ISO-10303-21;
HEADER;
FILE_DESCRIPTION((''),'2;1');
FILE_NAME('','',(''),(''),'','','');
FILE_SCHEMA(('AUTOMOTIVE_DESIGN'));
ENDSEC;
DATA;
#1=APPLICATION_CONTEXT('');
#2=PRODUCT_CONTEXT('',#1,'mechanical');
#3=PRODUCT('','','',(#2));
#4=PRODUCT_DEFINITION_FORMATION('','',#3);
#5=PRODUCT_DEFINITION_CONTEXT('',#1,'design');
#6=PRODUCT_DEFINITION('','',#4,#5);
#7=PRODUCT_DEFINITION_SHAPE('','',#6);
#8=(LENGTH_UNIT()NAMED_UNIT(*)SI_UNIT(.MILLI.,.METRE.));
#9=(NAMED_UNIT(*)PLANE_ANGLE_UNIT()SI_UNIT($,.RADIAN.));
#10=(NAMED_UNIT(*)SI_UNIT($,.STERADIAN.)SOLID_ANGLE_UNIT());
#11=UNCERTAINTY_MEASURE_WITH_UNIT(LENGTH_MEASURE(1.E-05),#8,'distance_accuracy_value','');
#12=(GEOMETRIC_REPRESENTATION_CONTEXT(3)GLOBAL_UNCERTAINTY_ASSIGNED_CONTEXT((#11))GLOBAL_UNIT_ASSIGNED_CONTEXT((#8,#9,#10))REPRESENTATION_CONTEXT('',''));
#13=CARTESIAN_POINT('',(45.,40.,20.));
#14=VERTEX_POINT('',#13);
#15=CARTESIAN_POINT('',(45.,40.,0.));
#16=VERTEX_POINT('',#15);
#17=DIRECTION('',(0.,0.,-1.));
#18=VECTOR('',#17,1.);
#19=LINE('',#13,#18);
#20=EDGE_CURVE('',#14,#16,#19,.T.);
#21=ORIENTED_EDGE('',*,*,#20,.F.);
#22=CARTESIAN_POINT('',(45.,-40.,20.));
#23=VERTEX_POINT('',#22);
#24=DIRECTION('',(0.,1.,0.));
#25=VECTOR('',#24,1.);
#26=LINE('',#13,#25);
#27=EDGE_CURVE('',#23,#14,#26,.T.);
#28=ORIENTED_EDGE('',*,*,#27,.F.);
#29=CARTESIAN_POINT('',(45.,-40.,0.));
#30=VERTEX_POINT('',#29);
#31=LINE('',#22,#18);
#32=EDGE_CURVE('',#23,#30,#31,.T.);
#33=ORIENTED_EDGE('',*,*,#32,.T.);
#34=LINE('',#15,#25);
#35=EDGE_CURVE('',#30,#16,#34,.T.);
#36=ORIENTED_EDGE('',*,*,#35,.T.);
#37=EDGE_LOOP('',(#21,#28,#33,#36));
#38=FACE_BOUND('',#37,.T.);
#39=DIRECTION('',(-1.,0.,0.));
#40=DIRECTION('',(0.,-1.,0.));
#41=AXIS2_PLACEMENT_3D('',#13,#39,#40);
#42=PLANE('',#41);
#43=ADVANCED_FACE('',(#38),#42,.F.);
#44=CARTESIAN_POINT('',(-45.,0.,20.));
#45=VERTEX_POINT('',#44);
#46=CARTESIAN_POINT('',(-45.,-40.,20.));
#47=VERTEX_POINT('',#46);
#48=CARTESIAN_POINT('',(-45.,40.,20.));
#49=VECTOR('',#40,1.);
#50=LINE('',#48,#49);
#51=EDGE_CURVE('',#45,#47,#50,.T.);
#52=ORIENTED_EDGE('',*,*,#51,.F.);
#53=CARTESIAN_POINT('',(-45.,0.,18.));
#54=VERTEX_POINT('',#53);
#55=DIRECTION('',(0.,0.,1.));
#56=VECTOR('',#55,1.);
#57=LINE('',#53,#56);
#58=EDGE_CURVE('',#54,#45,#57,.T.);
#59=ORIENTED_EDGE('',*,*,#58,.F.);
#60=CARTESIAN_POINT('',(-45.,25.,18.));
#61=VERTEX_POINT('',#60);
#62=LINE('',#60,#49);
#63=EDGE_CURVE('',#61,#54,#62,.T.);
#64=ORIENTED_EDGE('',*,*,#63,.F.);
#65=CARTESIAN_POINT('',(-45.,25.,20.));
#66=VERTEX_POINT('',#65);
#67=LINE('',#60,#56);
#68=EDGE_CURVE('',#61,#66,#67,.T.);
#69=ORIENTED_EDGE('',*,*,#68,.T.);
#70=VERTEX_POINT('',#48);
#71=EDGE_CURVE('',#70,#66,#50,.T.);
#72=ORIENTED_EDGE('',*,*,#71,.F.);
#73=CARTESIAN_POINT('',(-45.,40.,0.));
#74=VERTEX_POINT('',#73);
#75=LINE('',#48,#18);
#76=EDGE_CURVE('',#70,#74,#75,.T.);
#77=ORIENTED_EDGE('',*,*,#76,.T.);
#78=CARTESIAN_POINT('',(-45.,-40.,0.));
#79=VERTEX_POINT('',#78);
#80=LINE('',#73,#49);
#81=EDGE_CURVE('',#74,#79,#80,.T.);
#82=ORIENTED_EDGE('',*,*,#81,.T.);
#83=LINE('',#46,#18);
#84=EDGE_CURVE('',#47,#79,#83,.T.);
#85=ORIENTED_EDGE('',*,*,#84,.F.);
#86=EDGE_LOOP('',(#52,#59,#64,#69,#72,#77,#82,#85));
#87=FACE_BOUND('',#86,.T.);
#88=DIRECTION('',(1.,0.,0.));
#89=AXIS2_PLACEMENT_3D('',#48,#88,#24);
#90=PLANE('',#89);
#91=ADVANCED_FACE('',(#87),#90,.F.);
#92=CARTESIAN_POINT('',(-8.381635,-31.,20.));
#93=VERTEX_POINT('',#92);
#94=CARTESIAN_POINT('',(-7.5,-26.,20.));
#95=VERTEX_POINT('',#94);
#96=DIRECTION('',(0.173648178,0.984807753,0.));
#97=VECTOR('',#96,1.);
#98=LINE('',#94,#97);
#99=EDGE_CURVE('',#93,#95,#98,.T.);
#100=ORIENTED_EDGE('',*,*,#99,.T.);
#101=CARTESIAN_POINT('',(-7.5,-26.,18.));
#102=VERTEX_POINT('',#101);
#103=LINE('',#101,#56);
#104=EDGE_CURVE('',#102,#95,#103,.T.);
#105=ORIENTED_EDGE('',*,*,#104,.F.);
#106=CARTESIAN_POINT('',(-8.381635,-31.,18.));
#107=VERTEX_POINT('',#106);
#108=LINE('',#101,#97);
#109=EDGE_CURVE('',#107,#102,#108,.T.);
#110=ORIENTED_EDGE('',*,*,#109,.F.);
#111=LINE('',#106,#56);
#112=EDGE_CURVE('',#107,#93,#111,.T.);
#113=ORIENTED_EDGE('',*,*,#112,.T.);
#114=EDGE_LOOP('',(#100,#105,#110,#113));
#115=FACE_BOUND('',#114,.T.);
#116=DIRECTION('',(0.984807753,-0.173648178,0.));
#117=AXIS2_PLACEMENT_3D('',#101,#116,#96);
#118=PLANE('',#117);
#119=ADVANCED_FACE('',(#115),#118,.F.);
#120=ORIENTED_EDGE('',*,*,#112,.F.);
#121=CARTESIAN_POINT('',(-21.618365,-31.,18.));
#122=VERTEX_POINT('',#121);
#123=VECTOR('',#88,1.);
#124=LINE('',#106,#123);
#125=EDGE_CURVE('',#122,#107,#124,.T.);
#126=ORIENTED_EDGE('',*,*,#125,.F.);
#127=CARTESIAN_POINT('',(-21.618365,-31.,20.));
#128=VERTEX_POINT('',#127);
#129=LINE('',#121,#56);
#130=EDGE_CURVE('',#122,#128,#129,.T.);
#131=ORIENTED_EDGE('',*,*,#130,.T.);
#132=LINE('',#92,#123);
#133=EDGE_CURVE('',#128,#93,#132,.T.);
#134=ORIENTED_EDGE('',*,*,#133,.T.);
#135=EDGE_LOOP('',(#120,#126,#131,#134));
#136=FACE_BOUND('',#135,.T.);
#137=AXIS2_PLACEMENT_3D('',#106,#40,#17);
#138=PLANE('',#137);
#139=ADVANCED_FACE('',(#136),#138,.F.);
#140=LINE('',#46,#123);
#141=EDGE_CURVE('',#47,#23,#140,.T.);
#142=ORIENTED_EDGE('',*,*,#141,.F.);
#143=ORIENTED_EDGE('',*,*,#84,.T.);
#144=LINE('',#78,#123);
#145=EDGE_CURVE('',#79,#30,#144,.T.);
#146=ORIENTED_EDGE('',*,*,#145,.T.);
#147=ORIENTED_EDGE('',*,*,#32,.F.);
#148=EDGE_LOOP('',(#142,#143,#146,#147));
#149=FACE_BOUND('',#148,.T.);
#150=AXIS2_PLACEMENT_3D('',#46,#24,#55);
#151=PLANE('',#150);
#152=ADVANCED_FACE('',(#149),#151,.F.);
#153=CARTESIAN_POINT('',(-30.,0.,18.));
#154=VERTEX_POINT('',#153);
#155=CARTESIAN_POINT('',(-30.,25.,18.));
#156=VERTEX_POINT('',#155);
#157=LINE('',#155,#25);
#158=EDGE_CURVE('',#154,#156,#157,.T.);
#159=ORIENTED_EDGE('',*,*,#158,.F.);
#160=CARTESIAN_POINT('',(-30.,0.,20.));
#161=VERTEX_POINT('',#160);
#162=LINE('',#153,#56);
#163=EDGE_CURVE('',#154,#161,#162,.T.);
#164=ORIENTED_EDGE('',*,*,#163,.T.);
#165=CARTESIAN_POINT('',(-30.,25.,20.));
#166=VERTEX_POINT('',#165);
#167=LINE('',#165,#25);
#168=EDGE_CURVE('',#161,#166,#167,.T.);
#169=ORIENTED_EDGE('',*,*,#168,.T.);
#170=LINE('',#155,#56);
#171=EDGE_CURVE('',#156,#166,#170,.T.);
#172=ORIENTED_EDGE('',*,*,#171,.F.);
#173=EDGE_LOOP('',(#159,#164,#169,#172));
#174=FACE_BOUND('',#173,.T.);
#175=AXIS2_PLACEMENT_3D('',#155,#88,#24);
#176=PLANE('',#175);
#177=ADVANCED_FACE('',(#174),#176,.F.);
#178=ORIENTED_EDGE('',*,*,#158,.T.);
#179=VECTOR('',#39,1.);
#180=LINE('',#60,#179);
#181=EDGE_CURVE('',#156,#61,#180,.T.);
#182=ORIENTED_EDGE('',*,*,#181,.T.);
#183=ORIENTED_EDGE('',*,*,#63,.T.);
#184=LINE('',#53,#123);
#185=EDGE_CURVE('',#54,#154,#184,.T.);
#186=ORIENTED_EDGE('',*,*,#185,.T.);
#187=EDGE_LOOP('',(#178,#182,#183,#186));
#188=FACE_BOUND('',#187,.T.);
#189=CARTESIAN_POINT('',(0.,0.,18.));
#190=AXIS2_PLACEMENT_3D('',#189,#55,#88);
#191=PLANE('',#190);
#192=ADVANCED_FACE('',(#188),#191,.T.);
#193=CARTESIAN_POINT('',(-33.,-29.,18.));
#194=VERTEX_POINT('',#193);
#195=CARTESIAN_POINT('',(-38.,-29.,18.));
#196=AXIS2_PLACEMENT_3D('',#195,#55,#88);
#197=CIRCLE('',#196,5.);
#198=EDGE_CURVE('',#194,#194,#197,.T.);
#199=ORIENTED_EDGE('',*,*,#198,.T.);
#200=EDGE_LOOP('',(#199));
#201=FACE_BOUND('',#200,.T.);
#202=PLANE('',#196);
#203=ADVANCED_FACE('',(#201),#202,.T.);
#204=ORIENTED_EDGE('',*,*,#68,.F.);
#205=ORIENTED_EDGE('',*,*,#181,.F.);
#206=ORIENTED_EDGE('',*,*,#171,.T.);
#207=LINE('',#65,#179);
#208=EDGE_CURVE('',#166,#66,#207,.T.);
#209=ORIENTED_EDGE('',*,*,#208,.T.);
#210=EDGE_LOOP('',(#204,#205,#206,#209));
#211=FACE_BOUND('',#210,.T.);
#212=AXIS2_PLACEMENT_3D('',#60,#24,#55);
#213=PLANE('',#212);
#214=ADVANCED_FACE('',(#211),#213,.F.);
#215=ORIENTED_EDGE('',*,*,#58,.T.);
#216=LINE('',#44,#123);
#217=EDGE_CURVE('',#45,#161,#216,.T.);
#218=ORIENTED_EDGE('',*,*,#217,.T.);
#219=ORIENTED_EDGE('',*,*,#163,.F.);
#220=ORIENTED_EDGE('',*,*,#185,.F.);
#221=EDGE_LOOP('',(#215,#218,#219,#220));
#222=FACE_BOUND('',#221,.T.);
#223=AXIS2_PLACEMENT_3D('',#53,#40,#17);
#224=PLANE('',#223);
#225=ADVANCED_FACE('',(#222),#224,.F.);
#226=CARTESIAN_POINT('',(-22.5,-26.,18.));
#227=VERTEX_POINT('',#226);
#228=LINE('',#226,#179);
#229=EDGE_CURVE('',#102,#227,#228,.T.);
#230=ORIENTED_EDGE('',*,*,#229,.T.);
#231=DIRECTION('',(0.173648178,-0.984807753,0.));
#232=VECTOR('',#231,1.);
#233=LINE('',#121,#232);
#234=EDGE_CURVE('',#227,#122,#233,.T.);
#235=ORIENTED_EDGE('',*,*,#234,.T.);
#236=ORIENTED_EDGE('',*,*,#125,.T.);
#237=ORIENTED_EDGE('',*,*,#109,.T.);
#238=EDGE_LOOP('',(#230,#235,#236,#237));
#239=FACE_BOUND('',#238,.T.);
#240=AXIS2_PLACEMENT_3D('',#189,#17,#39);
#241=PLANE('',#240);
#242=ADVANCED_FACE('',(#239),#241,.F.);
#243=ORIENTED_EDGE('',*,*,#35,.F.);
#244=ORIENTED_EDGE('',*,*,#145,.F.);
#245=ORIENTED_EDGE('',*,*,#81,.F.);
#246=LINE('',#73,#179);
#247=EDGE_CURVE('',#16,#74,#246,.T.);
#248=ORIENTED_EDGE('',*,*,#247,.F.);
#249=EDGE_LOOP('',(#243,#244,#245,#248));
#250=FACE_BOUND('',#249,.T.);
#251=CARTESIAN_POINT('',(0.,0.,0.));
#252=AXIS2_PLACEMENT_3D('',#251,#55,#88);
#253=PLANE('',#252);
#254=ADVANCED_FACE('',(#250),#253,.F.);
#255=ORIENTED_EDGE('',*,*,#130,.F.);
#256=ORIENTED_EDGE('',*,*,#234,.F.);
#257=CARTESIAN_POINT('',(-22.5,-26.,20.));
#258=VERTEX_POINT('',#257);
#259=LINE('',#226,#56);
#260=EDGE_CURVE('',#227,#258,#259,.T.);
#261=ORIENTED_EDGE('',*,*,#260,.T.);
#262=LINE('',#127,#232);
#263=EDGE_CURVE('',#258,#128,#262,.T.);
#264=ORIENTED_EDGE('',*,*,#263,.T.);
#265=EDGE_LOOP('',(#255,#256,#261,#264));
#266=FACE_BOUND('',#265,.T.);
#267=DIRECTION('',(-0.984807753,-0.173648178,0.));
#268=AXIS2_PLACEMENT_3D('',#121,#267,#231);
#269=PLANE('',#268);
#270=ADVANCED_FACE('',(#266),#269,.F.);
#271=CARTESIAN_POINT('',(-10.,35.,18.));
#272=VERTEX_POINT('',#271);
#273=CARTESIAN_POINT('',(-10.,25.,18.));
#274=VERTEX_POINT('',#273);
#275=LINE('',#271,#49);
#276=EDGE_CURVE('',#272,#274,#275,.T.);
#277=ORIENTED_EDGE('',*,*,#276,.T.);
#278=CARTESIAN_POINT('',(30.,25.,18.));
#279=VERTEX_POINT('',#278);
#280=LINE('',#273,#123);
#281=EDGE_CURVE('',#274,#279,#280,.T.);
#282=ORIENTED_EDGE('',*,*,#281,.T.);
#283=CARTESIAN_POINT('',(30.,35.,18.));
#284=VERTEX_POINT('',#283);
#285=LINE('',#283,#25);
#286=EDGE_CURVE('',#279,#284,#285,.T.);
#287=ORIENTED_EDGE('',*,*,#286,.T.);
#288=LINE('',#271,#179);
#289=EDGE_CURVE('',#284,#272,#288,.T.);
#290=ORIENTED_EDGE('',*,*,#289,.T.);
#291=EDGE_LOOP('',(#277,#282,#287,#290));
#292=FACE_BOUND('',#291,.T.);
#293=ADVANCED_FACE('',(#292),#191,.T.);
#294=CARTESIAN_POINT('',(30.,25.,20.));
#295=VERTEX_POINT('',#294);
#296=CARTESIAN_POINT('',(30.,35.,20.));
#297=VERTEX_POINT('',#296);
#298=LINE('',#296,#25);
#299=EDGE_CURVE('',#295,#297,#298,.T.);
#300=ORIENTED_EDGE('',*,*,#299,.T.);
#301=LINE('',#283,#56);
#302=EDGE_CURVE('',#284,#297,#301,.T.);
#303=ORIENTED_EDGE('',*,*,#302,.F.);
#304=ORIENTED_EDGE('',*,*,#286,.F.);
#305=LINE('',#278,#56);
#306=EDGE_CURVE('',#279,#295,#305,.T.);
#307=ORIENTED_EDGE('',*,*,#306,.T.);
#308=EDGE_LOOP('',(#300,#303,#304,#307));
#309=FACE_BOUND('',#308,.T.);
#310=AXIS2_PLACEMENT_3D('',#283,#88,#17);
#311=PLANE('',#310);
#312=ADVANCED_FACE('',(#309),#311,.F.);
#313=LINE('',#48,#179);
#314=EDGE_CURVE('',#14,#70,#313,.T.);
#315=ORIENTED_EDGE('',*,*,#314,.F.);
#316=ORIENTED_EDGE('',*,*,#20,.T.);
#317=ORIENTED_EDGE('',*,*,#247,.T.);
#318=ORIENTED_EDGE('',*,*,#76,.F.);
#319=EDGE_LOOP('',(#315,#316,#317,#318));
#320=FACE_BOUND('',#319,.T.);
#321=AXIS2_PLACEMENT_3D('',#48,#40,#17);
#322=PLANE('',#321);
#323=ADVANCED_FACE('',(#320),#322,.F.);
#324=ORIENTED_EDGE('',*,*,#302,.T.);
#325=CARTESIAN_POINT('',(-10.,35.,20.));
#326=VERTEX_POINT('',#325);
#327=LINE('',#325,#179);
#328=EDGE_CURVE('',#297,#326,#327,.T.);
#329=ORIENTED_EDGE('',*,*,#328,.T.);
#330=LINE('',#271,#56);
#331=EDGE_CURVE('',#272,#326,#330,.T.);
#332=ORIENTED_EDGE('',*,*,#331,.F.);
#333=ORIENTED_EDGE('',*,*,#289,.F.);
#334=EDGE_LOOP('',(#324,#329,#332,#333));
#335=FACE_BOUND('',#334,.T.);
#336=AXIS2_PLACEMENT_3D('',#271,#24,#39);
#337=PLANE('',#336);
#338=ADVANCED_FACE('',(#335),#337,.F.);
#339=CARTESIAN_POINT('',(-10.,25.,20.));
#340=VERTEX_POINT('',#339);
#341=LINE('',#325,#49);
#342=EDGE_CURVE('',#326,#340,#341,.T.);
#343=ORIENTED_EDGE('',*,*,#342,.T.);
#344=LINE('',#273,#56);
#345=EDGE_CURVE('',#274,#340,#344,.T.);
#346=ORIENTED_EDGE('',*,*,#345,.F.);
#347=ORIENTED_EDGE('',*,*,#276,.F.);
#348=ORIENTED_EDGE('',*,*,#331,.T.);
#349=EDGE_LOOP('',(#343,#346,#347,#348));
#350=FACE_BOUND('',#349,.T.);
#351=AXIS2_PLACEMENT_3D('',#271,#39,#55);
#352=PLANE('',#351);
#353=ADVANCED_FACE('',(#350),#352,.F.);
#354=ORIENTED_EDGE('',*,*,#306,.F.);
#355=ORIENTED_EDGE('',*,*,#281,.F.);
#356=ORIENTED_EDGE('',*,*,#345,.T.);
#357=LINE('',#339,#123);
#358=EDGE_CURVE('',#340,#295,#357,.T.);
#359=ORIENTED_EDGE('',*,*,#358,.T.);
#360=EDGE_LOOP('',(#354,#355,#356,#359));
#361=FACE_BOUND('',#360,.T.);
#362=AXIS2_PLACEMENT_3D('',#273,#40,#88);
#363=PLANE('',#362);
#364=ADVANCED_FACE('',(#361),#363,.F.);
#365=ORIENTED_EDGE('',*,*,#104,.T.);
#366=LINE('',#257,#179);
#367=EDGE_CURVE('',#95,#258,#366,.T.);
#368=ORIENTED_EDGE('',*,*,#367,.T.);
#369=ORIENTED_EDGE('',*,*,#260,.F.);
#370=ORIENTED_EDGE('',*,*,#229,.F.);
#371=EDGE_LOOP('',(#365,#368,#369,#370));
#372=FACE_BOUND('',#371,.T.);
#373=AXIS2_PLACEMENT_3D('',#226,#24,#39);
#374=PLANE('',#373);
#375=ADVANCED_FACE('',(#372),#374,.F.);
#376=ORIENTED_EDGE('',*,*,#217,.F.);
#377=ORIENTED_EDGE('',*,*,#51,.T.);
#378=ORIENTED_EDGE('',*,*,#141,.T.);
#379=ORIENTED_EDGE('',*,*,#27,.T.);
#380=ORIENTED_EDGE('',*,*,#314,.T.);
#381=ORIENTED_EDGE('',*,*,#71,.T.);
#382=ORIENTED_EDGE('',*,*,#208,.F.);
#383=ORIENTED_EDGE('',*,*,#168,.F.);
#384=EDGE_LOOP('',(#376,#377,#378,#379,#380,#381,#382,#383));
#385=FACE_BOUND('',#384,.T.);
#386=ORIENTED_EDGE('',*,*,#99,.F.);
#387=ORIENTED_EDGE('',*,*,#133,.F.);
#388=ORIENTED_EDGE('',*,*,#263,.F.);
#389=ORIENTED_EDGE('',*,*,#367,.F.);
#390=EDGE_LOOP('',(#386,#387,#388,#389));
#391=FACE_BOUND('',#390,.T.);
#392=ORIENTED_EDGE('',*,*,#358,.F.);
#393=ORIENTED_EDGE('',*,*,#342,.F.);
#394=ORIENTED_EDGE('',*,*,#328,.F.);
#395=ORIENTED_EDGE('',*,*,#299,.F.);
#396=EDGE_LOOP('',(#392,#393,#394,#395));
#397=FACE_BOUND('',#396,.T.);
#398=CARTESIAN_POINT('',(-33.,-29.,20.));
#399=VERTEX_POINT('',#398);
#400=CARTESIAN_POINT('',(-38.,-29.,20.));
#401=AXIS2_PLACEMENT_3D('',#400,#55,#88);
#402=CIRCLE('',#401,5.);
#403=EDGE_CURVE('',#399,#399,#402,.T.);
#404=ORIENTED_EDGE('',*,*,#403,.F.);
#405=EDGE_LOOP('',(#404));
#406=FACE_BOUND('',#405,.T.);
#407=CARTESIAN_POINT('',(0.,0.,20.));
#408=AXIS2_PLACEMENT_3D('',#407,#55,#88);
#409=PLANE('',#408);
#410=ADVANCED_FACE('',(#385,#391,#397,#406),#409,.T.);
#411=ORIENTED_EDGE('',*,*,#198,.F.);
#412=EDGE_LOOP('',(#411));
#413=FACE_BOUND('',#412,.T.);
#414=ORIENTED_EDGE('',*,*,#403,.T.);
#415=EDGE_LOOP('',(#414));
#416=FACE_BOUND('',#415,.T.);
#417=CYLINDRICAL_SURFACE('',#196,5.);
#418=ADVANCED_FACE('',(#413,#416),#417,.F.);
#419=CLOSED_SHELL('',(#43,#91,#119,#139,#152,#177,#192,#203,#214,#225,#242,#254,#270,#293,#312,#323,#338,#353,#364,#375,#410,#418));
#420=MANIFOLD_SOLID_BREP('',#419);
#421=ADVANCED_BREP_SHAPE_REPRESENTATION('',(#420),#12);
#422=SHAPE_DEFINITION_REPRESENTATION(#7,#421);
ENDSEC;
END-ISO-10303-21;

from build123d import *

# Parameters (mm, degrees)
ESQUISSE1_W             = 90
ESQUISSE1_H             = 80
BOSS_EXTRU_1_DEPTH      = 20
ESQUISSE2_W             = 40
ESQUISSE2_H             = 10
ENL_V_MAT_EXTRU_1_DEPTH = 2
ENL_V_MAT_EXTRU_2_DEPTH = 2
ESQUISSE4_R             = 5
ENL_V_MAT_EXTRU_3_DEPTH = 2
ESQUISSE5_W             = 15
ESQUISSE5_H             = 25
ENL_V_MAT_EXTRU_4_DEPTH = 2


with BuildPart() as part:
    # Esquisse1 → Boss.-Extru.1 (new body)
    with BuildSketch(Plane.XY):
        Rectangle(ESQUISSE1_W, ESQUISSE1_H)
    extrude(amount=BOSS_EXTRU_1_DEPTH)

    # Esquisse2 → Enlèv. mat.-Extru.1 (cut)
    with BuildSketch(Plane.XY.offset(20)):
        with Locations((10, 30)):
            Rectangle(ESQUISSE2_W, ESQUISSE2_H)
    extrude(amount=-ENL_V_MAT_EXTRU_1_DEPTH, mode=Mode.SUBTRACT)

    # Esquisse3 → Enlèv. mat.-Extru.2 (cut)
    with BuildSketch(Plane.XY.offset(20)):
        Polygon((-8.381634904, -31), (-21.618365096, -31), (-22.5, -26), (-7.5, -26), align=None)
    extrude(amount=-ENL_V_MAT_EXTRU_2_DEPTH, mode=Mode.SUBTRACT)

    # Esquisse4 → Enlèv. mat.-Extru.3 (cut)
    with BuildSketch(Plane.XY.offset(20)):
        with Locations((-38, -29)):
            Circle(ESQUISSE4_R)
    extrude(amount=-ENL_V_MAT_EXTRU_3_DEPTH, mode=Mode.SUBTRACT)

    # Esquisse5 → Enlèv. mat.-Extru.4 (cut)
    with BuildSketch(Plane.XY.offset(20)):
        with Locations((-37.5, 12.5)):
            Rectangle(ESQUISSE5_W, ESQUISSE5_H)
    extrude(amount=-ENL_V_MAT_EXTRU_4_DEPTH, mode=Mode.SUBTRACT)


solid = part.part
